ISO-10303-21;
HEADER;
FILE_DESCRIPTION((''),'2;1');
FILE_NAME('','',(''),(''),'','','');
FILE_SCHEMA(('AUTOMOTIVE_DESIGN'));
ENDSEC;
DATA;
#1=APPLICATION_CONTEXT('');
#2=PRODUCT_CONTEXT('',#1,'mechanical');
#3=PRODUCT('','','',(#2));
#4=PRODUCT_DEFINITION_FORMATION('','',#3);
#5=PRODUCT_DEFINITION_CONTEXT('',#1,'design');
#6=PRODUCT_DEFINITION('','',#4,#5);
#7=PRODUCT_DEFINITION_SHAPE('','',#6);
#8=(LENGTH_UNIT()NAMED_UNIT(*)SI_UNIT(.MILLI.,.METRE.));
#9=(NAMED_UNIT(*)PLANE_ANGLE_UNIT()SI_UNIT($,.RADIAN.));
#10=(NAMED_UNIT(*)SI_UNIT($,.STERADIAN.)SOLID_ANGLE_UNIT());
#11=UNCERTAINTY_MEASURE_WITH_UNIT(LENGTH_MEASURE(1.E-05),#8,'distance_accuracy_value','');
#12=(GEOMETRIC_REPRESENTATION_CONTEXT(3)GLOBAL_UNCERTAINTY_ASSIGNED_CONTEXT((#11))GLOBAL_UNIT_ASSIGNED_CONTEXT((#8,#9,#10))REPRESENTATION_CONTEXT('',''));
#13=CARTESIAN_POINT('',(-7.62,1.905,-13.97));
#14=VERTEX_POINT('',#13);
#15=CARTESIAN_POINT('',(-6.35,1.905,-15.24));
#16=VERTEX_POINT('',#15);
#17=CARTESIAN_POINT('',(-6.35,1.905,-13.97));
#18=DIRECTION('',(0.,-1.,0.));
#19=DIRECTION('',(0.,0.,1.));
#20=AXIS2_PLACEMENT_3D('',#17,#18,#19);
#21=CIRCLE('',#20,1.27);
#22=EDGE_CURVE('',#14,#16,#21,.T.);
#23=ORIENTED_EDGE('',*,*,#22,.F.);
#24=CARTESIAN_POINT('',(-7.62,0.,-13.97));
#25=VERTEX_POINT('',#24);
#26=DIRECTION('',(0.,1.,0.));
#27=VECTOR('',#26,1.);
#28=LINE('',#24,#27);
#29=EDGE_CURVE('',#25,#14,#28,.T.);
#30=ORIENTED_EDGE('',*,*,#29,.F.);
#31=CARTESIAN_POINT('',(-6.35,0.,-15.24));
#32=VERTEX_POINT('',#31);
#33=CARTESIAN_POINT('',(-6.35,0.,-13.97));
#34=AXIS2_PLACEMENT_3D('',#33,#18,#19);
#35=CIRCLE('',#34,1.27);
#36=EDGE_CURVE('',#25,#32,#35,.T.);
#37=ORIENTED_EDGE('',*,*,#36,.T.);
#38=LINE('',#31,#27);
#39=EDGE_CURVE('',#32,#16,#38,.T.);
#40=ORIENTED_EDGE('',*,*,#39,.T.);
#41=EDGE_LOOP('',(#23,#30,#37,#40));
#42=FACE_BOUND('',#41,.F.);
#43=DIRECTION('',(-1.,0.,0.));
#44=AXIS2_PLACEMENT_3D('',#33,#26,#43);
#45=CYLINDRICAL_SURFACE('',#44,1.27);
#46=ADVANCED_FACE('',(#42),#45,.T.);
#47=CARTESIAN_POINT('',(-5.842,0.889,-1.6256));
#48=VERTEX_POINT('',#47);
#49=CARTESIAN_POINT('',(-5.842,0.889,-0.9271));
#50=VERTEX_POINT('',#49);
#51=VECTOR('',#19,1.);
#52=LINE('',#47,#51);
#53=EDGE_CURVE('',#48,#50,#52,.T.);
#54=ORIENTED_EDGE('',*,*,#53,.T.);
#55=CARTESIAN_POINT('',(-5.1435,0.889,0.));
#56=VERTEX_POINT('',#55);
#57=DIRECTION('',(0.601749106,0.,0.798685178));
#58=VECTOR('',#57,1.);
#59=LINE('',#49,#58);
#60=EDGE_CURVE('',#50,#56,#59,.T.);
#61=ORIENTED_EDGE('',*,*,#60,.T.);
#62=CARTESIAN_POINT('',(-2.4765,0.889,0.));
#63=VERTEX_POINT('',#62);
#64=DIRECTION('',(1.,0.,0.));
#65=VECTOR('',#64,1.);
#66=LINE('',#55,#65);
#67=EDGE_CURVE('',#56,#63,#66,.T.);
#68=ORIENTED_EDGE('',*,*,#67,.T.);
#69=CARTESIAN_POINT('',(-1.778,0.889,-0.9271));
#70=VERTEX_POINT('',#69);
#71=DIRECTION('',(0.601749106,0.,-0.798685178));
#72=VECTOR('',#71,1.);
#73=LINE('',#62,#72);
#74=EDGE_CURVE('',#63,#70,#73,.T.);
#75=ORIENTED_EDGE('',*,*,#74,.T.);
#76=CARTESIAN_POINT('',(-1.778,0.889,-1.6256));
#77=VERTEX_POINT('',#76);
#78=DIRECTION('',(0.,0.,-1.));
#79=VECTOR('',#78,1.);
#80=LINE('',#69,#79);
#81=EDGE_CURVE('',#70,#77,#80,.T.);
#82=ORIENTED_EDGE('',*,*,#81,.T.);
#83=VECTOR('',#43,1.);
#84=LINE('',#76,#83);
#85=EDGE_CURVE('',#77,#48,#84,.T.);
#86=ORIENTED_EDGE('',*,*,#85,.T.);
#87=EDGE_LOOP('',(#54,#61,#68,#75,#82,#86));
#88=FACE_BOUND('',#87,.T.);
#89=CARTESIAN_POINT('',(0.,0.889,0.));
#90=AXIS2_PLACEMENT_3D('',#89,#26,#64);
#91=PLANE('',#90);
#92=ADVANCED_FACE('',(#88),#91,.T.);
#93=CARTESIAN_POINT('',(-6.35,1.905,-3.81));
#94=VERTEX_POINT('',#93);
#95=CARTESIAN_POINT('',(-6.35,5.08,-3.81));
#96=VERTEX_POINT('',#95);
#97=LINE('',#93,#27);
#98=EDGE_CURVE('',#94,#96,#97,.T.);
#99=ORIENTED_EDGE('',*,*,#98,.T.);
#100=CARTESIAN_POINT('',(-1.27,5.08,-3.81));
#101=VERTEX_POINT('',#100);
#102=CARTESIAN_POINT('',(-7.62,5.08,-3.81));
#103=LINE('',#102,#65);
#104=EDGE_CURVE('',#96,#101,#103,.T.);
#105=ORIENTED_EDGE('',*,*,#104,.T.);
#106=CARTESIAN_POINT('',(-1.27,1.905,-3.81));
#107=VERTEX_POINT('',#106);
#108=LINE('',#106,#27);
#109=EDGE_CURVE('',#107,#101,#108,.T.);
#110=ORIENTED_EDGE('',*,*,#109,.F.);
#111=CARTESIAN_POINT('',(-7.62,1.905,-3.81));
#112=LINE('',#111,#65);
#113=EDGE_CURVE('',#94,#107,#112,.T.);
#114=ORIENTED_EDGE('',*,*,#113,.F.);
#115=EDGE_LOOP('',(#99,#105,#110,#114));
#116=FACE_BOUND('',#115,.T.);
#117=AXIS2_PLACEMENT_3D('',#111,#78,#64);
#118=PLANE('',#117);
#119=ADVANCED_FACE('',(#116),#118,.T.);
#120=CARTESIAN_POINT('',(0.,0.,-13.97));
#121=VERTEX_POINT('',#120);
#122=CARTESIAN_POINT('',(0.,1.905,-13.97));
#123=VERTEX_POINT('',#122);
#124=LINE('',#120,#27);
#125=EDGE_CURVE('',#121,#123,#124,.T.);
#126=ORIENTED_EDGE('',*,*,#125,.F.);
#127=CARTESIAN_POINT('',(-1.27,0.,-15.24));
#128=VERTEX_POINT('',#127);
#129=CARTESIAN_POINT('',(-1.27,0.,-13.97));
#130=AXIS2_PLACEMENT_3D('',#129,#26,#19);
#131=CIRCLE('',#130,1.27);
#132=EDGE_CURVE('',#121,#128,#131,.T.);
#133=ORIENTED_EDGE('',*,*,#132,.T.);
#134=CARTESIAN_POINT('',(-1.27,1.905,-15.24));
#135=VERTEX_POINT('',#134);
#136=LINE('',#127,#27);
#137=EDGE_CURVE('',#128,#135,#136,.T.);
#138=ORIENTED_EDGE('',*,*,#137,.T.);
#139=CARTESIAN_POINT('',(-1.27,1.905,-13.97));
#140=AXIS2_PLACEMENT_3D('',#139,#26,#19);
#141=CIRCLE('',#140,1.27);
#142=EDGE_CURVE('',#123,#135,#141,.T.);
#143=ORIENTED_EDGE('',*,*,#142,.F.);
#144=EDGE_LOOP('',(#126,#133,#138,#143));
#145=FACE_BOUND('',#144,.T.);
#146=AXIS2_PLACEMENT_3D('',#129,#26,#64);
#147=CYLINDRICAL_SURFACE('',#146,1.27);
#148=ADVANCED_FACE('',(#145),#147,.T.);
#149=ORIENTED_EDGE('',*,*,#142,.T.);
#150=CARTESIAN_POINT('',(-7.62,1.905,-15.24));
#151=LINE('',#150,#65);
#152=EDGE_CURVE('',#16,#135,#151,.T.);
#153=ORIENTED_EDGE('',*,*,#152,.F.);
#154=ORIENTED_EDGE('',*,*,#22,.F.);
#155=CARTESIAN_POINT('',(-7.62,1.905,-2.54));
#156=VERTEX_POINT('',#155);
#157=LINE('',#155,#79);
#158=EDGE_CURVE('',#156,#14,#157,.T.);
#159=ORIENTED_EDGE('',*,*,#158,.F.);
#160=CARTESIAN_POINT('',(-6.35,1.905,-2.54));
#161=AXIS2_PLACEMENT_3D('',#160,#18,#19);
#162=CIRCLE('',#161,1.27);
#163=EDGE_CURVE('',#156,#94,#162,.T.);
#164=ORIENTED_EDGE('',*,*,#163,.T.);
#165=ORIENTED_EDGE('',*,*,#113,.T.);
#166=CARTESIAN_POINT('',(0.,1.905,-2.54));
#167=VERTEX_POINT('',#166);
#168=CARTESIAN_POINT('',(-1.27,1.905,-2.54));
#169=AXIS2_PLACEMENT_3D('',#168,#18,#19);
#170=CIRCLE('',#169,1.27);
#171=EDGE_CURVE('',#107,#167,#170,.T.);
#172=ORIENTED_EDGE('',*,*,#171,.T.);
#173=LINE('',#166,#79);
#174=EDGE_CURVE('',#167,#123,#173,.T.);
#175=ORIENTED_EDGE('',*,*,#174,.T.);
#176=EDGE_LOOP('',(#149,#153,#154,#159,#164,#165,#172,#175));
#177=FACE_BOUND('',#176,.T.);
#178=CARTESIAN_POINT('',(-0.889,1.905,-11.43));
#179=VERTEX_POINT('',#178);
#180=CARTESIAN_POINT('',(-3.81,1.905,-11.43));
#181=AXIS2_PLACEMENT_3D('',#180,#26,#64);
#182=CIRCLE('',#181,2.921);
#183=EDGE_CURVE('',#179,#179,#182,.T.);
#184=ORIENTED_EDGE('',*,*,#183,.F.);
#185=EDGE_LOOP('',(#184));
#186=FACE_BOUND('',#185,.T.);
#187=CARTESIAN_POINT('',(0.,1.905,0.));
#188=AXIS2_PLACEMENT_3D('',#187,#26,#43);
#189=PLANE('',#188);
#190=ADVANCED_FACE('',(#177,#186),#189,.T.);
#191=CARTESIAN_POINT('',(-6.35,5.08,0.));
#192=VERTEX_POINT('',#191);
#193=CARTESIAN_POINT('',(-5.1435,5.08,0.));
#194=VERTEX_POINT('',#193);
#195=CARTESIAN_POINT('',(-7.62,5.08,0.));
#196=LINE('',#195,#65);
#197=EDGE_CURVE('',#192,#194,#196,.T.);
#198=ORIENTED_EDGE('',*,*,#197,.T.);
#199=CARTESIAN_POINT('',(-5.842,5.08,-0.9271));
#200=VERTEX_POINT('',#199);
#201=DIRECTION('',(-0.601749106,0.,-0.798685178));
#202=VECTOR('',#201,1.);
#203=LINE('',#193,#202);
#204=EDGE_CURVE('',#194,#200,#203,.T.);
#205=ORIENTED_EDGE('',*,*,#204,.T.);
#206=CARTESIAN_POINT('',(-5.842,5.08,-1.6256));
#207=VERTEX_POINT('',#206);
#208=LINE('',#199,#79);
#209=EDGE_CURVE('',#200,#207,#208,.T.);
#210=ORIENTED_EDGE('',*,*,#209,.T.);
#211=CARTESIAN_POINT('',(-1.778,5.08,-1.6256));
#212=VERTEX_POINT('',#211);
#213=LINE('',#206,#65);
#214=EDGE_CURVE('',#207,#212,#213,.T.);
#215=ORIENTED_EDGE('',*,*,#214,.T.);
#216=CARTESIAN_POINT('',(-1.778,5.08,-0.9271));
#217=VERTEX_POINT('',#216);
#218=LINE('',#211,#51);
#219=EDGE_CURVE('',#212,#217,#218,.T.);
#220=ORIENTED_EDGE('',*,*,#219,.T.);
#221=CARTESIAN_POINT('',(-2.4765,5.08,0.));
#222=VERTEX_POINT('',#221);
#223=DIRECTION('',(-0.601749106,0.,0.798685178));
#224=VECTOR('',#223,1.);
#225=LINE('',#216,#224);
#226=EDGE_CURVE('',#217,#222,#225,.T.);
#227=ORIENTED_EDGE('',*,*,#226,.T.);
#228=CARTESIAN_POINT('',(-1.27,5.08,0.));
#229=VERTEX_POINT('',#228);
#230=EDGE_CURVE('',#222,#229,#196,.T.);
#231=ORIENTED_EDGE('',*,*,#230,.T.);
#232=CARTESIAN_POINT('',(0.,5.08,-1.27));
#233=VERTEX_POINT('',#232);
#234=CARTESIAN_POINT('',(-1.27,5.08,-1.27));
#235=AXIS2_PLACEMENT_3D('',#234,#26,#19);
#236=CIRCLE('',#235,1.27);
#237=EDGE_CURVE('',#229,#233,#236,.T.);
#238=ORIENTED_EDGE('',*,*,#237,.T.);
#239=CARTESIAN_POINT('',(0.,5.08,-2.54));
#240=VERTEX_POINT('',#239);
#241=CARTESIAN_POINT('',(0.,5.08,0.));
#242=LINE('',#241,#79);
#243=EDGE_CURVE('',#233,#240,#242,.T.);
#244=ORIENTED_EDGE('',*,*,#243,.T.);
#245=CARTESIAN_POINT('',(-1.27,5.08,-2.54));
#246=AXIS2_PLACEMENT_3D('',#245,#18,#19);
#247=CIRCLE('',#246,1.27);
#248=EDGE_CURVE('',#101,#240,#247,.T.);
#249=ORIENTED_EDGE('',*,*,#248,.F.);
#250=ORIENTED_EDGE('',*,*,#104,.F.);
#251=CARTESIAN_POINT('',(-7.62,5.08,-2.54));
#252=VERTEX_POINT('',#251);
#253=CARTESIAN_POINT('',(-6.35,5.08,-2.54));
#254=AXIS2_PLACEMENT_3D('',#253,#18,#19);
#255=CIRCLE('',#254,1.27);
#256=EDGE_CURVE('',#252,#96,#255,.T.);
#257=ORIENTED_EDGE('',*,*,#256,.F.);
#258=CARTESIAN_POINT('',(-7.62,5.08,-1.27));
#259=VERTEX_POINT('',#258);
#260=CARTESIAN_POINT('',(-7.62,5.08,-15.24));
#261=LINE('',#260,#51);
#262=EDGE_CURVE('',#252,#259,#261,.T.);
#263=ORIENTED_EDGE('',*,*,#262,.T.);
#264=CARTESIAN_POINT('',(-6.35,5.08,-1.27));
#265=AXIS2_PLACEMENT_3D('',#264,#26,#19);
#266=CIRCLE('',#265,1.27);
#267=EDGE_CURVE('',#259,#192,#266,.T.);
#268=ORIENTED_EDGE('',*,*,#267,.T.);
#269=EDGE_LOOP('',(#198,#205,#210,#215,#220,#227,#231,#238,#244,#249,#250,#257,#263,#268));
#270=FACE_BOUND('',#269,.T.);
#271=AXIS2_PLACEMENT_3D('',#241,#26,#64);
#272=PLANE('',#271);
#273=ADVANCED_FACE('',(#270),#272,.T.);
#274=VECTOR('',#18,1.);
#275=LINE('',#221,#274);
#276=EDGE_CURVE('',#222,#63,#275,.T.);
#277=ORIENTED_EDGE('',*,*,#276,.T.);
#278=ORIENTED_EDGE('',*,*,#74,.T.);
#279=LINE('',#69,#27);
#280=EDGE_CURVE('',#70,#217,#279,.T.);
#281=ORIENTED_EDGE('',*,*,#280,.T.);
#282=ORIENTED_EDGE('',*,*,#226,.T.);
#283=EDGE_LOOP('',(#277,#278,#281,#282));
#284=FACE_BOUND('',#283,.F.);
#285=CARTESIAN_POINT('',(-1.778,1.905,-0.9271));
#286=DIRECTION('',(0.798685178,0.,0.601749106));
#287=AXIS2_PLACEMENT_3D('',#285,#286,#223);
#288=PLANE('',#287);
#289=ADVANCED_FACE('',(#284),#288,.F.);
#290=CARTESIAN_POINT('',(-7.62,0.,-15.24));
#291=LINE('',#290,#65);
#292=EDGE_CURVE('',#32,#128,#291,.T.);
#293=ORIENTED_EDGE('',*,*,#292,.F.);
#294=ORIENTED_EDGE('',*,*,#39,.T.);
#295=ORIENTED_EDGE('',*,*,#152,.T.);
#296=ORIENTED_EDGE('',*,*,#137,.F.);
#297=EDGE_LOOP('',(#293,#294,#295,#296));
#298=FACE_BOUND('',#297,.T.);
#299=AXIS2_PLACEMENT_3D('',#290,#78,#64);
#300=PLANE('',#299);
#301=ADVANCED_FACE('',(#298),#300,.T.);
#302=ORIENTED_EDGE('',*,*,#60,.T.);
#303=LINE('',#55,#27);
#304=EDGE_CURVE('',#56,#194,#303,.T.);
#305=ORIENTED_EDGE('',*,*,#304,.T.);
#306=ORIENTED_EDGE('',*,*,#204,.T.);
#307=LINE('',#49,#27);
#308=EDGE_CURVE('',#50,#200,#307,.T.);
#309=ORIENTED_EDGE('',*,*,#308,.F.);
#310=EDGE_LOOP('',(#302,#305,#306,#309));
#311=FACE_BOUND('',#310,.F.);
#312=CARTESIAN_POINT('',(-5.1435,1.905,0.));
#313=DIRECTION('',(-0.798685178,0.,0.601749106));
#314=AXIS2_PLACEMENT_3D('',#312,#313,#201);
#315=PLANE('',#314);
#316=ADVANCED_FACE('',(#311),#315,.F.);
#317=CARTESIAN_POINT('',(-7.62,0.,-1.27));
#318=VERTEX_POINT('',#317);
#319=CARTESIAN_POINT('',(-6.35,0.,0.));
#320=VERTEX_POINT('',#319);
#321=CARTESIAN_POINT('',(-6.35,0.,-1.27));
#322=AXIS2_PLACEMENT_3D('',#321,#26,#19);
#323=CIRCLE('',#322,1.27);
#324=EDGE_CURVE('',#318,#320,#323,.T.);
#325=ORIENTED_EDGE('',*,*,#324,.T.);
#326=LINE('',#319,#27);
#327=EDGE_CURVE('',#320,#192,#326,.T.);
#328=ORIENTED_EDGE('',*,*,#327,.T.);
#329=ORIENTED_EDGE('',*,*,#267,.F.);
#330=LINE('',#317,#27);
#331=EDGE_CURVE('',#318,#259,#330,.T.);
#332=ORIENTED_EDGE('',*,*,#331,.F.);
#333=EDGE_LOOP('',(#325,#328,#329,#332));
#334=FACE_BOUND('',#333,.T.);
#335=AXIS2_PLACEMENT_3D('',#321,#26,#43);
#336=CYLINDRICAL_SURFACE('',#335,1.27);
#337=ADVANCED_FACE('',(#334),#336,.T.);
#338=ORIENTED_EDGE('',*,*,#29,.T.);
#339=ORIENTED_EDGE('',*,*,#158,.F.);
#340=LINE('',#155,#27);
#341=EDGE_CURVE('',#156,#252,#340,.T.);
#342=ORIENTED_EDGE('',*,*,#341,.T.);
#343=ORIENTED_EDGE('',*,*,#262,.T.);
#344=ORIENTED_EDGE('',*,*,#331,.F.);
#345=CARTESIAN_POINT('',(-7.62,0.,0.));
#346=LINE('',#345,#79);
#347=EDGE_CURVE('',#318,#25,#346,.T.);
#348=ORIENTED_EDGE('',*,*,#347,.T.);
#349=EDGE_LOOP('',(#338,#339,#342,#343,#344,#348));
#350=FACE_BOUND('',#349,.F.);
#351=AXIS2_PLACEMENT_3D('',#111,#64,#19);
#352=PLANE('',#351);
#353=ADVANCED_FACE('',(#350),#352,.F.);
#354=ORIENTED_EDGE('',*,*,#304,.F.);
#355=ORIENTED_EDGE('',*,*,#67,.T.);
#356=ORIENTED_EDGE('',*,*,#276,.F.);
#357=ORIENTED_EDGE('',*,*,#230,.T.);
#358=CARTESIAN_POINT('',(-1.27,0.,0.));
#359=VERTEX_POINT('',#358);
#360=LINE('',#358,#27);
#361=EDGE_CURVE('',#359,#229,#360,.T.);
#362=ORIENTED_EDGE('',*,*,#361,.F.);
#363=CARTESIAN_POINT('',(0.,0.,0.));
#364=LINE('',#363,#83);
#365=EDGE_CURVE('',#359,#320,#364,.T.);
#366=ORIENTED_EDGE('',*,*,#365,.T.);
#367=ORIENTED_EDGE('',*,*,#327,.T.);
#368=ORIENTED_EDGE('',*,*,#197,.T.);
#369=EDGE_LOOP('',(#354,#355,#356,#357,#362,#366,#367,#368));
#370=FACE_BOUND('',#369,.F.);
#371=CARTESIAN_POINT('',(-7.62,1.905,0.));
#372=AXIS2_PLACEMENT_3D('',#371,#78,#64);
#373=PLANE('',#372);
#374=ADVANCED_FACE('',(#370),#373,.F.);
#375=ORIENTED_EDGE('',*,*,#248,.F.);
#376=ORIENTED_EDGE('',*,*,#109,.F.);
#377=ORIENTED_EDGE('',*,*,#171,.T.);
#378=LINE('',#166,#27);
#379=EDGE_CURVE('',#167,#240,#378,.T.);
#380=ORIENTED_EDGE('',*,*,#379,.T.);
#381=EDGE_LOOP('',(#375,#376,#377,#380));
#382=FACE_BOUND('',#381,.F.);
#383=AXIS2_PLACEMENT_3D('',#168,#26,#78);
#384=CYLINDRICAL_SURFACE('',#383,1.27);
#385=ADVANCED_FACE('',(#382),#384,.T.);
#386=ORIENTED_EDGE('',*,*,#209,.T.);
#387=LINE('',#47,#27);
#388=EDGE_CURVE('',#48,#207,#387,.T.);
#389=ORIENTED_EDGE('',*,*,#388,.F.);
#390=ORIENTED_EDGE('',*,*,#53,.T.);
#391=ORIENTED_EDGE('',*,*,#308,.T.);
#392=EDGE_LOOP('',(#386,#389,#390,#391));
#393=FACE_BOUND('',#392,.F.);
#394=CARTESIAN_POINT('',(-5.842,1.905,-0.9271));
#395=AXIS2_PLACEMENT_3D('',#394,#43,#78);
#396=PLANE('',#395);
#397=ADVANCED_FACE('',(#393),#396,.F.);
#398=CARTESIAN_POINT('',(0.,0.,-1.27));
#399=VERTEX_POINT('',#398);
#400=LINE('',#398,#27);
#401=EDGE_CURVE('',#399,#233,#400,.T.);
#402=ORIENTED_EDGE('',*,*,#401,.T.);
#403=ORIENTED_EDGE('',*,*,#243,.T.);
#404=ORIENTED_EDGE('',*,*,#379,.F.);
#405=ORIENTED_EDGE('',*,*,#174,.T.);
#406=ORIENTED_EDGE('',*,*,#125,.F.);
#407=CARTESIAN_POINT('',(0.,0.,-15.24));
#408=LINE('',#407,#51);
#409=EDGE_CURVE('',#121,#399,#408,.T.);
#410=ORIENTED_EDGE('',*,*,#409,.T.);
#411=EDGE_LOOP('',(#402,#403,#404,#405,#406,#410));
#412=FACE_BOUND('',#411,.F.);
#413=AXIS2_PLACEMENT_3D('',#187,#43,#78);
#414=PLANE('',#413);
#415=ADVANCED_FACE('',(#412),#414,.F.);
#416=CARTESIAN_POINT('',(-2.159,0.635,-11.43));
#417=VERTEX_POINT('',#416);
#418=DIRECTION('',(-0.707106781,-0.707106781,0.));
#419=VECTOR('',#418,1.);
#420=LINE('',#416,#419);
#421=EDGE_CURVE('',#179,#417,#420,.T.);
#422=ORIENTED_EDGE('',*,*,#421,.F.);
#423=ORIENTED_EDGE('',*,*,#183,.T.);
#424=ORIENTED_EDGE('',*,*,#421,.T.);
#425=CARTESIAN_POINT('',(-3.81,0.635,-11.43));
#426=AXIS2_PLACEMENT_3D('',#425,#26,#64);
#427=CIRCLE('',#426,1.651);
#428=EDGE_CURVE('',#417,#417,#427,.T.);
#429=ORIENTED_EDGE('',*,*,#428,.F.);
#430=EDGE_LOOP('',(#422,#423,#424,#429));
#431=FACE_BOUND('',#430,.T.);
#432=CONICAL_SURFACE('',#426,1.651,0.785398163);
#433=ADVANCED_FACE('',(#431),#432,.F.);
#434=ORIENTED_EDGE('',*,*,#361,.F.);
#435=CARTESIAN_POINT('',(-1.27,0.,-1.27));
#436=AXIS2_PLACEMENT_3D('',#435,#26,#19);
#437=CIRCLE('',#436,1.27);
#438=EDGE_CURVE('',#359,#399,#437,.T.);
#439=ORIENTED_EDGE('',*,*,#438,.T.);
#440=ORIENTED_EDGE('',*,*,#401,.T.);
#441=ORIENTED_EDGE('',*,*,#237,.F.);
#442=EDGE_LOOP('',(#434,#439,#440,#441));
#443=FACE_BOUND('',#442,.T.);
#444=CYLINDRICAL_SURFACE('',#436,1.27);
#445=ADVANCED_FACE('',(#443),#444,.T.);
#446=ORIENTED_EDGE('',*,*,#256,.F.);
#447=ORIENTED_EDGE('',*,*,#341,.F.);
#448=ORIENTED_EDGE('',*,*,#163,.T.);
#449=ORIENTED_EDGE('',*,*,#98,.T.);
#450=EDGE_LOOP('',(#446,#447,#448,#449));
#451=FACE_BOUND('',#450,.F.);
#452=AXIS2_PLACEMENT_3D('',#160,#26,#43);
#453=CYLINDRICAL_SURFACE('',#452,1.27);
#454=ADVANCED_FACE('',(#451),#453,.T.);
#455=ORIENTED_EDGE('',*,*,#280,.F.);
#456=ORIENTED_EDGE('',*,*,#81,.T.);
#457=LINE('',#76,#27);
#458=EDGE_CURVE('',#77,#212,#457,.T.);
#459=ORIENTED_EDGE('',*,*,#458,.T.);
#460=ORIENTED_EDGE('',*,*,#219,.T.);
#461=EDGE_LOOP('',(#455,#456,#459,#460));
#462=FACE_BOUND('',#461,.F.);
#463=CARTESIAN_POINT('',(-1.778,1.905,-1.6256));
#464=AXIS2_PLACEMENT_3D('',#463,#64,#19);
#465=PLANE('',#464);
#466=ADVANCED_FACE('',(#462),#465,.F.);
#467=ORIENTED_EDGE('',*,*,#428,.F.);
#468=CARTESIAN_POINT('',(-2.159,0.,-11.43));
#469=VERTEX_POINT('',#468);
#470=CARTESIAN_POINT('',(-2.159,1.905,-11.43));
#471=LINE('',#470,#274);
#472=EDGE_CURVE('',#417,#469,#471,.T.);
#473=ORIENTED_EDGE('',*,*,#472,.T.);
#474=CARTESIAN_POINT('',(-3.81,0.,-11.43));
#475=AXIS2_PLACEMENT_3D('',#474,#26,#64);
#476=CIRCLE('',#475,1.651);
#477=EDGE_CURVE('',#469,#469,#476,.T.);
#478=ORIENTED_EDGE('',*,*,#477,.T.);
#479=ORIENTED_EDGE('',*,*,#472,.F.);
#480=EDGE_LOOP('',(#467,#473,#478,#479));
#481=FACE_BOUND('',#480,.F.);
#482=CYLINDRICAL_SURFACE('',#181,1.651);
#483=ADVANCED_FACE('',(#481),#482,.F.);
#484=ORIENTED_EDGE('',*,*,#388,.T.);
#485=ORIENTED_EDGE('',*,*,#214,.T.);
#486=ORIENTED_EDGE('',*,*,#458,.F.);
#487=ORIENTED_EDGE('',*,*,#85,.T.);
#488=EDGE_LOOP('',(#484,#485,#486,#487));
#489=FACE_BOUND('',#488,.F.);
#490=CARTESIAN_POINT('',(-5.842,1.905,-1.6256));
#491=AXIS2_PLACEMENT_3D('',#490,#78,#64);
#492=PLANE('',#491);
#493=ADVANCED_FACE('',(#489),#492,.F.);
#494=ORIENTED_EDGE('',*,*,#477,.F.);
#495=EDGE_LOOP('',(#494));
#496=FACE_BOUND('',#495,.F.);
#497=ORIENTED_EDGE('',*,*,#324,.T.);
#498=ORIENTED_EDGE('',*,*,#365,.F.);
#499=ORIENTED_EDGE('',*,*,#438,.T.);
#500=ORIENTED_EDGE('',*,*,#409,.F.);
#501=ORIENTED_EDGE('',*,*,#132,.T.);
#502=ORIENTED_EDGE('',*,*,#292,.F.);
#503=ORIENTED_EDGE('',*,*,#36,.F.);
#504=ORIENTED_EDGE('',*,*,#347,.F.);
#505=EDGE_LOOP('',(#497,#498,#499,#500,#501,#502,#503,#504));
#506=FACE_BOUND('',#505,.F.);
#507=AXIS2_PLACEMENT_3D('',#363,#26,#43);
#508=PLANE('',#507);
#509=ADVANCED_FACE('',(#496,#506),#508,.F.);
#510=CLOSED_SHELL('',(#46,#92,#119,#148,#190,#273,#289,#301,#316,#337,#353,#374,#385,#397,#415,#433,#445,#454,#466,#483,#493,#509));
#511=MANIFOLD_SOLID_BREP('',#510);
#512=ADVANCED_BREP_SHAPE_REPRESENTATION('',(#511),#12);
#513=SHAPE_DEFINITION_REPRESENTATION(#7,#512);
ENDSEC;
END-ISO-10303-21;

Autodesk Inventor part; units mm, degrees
ref_plane "YZ Plane" through (0, 0, 0) normal (1, 0, 0) x (0, 1, 0)
ref_plane "XZ Plane" through (0, 0, 0) normal (0, 1, 0) x (-1, 0, 0)
ref_plane "XY Plane" through (0, 0, 0) normal (0, 0, 1) x (1, 0, 0)
sketch "Sketch1" plane through (0, 0, 0) normal (0, 1, 0) x (-1, 0, 0)
  line L0 (0, 0) -> (7.62, 0)
  line L1 (7.62, 0) -> (7.62, -15.24)
  line L2 (7.62, -15.24) -> (0, -15.24)
  line L3 (0, -15.24) -> (0, 0)
  dimension "d0" = 7.62
  dimension "d1" = 15.24
extrude "Extrusion1" add sketch "Sketch1" along normal blind 1.905
sketch "Sketch4" plane through (0, 1.905, 0) normal (0, 1, 0) x (1, 0, 0)
  line L0 (0, 15.24) -> (-7.62, 15.24) projected
  circle A0 centre (-3.81, 11.43) radius 1.651
  point P0 (0, 0)
  point P1 (-3.81, 15.24)
  dimension "d9" = 3.302
  dimension "d10" = 3.81
extrude "Extrusion3" cut sketch "Sketch4" against normal through all
chamfer "Chamfer1" distance 1.27 angle 45 1 edges at (-5.461, 1.905, -11.43)
sketch "Sketch5" plane through (0, 1.905, 0) normal (0, 1, 0) x (1, 0, 0)
  line L0 (-7.62, 0) -> (0, 0) projected
  line L1 (0, 0) -> (0, 15.24) projected
  line L2 (0, 15.24) -> (-7.62, 15.24) projected
  line L3 (-7.62, 15.24) -> (-7.62, 0) projected
  circle A0 centre (-3.81, 11.43) radius 2.921 projected
  line L4 (0, 0) -> (-7.62, 0) projected
  line L5 (-5.1435, 0) -> (-5.842, 0.9271)
  line L6 (-5.842, 0.9271) -> (-5.842, 1.6256)
  line L7 (-5.842, 1.6256) -> (-1.778, 1.6256)
  line L8 (-1.778, 1.6256) -> (-1.778, 0.9271)
  line L9 (-1.778, 0.9271) -> (-2.4765, 0)
  line L10 (-7.62, 0) -> (-7.62, 15.24) projected
  line L11 (-7.62, 3.81) -> (0, 3.81)
  point P0 (-3.81, 1.6256)
  point P1 (-3.81, 3.81)
  dimension "d19" = 2.667
  dimension "d20" = 4.064
  dimension "d21" = 0.9271
  dimension "d23" = 1.6256
  dimension "d24" = 3.81
extrude "Extrusion4" add sketch "Sketch5" along normal blind 3.175 contours L3 L11 L1 L0 L9 L8 L7 L6 L5
fillet "Fillet2" radius 1.27 6 edges at (-7.62, 2.54, 0) (0, 2.54, 0) (0, 3.4925, -3.81) (-7.62, 3.4925, -3.81) (-7.62, 0.9525, -15.24) (0, 0.9525, -15.24)
sketch "Sketch6" plane through (0, 1.905, 0) normal (0, 1, 0) x (1, 0, 0)
  line L0 (-2.4765, 0) -> (-1.778, 0.9271) projected
  line L1 (-1.778, 0.9271) -> (-1.778, 1.6256) projected
  line L2 (-1.778, 1.6256) -> (-5.842, 1.6256) projected
  line L3 (-5.842, 1.6256) -> (-5.842, 0.9271) projected
  line L4 (-5.842, 0.9271) -> (-5.1435, 0) projected
  line L5 (-5.1435, 0) -> (-2.4765, 0) projected
  point P0 (0, 0)
extrude "Extrusion5" cut sketch "Sketch6" against normal blind 1.016
properties part number "HallEffectSpoolSensorMount" material "ABS Plastic"
